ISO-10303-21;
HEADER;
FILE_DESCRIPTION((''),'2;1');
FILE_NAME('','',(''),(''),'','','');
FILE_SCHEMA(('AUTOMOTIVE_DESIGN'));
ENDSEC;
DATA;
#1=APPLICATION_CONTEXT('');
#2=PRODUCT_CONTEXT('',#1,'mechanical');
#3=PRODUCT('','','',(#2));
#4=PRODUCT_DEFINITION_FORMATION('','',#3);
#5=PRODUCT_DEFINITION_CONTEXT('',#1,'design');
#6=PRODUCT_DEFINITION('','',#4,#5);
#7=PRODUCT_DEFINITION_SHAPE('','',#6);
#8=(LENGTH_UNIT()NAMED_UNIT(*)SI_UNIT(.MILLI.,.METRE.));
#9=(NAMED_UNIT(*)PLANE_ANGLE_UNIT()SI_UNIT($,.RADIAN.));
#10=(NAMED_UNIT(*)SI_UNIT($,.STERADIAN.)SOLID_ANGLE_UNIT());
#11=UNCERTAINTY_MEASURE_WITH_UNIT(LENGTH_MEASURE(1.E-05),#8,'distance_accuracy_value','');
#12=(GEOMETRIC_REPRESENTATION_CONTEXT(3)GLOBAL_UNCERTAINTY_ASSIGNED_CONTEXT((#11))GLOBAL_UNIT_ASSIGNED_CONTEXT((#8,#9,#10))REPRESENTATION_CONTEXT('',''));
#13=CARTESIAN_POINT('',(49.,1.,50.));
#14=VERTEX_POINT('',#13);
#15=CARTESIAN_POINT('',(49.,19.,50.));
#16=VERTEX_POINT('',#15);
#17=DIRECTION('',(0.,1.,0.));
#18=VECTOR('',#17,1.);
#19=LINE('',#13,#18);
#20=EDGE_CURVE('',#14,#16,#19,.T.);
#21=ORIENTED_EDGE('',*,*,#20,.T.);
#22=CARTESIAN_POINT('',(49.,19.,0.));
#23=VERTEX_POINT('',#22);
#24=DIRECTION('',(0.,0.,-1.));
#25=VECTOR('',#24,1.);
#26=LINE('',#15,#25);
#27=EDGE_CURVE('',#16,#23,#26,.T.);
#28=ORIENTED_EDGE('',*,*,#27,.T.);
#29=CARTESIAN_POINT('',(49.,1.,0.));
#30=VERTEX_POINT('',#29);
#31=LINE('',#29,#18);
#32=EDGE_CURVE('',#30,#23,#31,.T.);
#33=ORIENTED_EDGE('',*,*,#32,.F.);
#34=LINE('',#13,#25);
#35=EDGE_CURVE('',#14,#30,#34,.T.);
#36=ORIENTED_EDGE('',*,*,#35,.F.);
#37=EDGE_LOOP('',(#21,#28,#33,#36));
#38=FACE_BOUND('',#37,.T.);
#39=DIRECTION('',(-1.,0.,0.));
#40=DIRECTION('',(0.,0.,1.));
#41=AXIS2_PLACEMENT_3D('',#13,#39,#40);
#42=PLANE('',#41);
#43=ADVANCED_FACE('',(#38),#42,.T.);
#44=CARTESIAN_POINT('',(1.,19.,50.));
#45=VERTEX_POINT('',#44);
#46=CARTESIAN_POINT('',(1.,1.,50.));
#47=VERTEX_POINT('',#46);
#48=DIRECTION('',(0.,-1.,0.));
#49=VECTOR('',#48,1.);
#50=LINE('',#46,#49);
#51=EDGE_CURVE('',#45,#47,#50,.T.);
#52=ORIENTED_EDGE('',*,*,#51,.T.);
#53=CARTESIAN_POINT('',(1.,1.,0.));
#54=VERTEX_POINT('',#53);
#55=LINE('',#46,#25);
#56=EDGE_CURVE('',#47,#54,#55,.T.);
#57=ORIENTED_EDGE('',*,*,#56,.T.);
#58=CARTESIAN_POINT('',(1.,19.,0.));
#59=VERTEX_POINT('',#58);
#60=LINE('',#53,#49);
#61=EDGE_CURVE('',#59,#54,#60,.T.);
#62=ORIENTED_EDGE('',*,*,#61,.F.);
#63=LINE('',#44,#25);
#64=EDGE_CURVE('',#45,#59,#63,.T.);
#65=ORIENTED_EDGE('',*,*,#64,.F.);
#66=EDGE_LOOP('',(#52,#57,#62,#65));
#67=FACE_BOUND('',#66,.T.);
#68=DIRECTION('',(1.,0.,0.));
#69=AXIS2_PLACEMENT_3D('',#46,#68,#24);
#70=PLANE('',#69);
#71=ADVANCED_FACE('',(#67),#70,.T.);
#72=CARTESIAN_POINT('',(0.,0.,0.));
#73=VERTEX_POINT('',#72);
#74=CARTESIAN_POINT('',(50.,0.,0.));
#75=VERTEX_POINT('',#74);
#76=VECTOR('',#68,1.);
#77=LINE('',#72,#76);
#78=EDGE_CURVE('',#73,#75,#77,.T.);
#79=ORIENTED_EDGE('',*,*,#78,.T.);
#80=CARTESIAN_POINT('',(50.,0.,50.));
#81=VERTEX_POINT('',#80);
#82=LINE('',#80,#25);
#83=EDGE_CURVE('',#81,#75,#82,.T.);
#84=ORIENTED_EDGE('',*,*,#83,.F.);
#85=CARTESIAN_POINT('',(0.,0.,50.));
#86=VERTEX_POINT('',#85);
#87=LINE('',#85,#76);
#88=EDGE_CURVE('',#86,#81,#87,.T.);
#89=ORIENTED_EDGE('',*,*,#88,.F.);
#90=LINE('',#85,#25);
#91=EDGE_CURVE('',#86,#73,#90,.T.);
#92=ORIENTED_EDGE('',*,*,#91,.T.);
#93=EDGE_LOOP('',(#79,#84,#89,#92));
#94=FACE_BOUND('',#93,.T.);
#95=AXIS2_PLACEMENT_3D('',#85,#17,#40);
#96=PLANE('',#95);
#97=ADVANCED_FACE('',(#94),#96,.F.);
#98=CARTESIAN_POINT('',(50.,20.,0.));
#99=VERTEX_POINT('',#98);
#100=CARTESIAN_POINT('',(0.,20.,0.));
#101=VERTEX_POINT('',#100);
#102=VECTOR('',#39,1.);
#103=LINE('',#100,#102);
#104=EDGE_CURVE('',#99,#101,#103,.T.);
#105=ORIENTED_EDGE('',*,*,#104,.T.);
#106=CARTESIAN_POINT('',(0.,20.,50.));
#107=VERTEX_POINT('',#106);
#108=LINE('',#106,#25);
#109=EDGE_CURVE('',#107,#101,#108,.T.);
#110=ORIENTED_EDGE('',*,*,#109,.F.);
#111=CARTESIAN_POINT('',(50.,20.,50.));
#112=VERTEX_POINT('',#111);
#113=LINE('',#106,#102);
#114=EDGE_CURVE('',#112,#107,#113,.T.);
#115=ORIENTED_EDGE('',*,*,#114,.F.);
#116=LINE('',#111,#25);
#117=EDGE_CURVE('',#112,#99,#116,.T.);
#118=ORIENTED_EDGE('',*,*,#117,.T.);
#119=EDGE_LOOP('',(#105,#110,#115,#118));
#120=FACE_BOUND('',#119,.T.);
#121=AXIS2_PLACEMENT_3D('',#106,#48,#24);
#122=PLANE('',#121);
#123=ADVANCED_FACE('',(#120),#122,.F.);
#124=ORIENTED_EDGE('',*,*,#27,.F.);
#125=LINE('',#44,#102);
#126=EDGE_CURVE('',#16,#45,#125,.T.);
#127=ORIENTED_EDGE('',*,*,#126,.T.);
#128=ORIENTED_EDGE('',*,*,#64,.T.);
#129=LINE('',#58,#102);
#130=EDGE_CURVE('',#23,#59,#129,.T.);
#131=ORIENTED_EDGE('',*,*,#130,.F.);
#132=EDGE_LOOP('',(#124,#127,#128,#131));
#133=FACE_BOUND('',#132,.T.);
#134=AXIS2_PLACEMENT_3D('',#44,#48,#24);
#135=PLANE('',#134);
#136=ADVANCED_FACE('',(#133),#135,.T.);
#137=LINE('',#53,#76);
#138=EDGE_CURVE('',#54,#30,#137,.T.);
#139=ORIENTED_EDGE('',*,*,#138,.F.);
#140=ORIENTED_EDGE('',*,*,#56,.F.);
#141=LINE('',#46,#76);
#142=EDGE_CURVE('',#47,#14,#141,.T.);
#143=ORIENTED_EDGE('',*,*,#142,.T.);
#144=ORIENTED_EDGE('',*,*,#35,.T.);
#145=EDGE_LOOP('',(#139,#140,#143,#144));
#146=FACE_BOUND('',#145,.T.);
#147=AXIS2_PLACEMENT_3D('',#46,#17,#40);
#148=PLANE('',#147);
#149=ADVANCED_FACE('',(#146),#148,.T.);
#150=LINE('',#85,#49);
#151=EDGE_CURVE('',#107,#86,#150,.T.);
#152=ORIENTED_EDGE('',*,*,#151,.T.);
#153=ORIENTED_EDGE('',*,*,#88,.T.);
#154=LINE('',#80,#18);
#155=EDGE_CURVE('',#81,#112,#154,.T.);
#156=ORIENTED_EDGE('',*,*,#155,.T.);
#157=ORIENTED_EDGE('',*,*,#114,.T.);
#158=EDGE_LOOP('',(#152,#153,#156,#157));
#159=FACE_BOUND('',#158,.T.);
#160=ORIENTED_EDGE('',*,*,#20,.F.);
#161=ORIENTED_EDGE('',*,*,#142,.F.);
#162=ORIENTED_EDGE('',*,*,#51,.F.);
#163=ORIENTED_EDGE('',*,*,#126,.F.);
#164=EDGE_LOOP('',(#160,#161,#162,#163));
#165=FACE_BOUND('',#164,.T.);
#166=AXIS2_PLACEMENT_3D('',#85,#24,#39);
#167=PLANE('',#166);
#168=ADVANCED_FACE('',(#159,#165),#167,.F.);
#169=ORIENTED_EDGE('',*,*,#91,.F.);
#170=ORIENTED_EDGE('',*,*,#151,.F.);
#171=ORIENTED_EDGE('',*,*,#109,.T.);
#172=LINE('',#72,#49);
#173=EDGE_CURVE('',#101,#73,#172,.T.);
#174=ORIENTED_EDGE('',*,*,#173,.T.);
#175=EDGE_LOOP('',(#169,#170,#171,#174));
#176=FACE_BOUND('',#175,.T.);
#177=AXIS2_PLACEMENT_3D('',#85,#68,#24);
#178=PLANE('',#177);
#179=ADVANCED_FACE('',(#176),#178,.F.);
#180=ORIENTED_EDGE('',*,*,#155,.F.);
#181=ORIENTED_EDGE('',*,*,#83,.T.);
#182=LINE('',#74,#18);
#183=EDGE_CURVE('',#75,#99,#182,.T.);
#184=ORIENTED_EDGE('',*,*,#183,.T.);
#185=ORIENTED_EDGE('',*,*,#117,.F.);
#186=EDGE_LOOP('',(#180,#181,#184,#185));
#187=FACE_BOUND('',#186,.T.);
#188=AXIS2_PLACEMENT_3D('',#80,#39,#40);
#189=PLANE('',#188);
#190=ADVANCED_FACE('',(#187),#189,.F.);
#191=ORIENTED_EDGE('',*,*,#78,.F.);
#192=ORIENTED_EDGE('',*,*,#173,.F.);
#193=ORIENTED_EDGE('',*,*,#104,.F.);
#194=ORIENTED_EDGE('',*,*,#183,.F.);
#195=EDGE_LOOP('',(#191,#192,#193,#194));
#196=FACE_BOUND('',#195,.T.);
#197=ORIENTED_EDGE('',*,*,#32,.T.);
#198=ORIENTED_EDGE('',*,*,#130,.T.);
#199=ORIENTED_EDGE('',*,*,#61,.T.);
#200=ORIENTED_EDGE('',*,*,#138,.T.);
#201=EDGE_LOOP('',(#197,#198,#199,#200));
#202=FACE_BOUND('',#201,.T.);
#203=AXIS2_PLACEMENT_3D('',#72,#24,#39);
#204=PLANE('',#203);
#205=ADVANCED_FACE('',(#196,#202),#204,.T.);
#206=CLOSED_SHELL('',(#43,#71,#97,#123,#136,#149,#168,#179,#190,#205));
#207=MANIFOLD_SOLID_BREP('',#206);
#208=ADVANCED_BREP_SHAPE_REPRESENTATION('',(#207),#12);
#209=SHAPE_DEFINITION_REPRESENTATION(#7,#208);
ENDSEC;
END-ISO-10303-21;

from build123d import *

# Parameters (mm, degrees)
SKETCH_1_W      = 50
SKETCH_1_H      = 20
SKETCH_1_W_2    = 48
SKETCH_1_H_2    = 18
EXTRUDE_1_DEPTH = 50


with BuildPart() as part:
    # 草图1 → 凸台-拉伸1 (new body)
    with BuildSketch(Plane.XY):
        with Locations((25, 10)):
            Rectangle(SKETCH_1_W, SKETCH_1_H)
        with Locations((25, 10)):
            Rectangle(SKETCH_1_W_2, SKETCH_1_H_2, mode=Mode.SUBTRACT)
    extrude(amount=EXTRUDE_1_DEPTH)


solid = part.part
